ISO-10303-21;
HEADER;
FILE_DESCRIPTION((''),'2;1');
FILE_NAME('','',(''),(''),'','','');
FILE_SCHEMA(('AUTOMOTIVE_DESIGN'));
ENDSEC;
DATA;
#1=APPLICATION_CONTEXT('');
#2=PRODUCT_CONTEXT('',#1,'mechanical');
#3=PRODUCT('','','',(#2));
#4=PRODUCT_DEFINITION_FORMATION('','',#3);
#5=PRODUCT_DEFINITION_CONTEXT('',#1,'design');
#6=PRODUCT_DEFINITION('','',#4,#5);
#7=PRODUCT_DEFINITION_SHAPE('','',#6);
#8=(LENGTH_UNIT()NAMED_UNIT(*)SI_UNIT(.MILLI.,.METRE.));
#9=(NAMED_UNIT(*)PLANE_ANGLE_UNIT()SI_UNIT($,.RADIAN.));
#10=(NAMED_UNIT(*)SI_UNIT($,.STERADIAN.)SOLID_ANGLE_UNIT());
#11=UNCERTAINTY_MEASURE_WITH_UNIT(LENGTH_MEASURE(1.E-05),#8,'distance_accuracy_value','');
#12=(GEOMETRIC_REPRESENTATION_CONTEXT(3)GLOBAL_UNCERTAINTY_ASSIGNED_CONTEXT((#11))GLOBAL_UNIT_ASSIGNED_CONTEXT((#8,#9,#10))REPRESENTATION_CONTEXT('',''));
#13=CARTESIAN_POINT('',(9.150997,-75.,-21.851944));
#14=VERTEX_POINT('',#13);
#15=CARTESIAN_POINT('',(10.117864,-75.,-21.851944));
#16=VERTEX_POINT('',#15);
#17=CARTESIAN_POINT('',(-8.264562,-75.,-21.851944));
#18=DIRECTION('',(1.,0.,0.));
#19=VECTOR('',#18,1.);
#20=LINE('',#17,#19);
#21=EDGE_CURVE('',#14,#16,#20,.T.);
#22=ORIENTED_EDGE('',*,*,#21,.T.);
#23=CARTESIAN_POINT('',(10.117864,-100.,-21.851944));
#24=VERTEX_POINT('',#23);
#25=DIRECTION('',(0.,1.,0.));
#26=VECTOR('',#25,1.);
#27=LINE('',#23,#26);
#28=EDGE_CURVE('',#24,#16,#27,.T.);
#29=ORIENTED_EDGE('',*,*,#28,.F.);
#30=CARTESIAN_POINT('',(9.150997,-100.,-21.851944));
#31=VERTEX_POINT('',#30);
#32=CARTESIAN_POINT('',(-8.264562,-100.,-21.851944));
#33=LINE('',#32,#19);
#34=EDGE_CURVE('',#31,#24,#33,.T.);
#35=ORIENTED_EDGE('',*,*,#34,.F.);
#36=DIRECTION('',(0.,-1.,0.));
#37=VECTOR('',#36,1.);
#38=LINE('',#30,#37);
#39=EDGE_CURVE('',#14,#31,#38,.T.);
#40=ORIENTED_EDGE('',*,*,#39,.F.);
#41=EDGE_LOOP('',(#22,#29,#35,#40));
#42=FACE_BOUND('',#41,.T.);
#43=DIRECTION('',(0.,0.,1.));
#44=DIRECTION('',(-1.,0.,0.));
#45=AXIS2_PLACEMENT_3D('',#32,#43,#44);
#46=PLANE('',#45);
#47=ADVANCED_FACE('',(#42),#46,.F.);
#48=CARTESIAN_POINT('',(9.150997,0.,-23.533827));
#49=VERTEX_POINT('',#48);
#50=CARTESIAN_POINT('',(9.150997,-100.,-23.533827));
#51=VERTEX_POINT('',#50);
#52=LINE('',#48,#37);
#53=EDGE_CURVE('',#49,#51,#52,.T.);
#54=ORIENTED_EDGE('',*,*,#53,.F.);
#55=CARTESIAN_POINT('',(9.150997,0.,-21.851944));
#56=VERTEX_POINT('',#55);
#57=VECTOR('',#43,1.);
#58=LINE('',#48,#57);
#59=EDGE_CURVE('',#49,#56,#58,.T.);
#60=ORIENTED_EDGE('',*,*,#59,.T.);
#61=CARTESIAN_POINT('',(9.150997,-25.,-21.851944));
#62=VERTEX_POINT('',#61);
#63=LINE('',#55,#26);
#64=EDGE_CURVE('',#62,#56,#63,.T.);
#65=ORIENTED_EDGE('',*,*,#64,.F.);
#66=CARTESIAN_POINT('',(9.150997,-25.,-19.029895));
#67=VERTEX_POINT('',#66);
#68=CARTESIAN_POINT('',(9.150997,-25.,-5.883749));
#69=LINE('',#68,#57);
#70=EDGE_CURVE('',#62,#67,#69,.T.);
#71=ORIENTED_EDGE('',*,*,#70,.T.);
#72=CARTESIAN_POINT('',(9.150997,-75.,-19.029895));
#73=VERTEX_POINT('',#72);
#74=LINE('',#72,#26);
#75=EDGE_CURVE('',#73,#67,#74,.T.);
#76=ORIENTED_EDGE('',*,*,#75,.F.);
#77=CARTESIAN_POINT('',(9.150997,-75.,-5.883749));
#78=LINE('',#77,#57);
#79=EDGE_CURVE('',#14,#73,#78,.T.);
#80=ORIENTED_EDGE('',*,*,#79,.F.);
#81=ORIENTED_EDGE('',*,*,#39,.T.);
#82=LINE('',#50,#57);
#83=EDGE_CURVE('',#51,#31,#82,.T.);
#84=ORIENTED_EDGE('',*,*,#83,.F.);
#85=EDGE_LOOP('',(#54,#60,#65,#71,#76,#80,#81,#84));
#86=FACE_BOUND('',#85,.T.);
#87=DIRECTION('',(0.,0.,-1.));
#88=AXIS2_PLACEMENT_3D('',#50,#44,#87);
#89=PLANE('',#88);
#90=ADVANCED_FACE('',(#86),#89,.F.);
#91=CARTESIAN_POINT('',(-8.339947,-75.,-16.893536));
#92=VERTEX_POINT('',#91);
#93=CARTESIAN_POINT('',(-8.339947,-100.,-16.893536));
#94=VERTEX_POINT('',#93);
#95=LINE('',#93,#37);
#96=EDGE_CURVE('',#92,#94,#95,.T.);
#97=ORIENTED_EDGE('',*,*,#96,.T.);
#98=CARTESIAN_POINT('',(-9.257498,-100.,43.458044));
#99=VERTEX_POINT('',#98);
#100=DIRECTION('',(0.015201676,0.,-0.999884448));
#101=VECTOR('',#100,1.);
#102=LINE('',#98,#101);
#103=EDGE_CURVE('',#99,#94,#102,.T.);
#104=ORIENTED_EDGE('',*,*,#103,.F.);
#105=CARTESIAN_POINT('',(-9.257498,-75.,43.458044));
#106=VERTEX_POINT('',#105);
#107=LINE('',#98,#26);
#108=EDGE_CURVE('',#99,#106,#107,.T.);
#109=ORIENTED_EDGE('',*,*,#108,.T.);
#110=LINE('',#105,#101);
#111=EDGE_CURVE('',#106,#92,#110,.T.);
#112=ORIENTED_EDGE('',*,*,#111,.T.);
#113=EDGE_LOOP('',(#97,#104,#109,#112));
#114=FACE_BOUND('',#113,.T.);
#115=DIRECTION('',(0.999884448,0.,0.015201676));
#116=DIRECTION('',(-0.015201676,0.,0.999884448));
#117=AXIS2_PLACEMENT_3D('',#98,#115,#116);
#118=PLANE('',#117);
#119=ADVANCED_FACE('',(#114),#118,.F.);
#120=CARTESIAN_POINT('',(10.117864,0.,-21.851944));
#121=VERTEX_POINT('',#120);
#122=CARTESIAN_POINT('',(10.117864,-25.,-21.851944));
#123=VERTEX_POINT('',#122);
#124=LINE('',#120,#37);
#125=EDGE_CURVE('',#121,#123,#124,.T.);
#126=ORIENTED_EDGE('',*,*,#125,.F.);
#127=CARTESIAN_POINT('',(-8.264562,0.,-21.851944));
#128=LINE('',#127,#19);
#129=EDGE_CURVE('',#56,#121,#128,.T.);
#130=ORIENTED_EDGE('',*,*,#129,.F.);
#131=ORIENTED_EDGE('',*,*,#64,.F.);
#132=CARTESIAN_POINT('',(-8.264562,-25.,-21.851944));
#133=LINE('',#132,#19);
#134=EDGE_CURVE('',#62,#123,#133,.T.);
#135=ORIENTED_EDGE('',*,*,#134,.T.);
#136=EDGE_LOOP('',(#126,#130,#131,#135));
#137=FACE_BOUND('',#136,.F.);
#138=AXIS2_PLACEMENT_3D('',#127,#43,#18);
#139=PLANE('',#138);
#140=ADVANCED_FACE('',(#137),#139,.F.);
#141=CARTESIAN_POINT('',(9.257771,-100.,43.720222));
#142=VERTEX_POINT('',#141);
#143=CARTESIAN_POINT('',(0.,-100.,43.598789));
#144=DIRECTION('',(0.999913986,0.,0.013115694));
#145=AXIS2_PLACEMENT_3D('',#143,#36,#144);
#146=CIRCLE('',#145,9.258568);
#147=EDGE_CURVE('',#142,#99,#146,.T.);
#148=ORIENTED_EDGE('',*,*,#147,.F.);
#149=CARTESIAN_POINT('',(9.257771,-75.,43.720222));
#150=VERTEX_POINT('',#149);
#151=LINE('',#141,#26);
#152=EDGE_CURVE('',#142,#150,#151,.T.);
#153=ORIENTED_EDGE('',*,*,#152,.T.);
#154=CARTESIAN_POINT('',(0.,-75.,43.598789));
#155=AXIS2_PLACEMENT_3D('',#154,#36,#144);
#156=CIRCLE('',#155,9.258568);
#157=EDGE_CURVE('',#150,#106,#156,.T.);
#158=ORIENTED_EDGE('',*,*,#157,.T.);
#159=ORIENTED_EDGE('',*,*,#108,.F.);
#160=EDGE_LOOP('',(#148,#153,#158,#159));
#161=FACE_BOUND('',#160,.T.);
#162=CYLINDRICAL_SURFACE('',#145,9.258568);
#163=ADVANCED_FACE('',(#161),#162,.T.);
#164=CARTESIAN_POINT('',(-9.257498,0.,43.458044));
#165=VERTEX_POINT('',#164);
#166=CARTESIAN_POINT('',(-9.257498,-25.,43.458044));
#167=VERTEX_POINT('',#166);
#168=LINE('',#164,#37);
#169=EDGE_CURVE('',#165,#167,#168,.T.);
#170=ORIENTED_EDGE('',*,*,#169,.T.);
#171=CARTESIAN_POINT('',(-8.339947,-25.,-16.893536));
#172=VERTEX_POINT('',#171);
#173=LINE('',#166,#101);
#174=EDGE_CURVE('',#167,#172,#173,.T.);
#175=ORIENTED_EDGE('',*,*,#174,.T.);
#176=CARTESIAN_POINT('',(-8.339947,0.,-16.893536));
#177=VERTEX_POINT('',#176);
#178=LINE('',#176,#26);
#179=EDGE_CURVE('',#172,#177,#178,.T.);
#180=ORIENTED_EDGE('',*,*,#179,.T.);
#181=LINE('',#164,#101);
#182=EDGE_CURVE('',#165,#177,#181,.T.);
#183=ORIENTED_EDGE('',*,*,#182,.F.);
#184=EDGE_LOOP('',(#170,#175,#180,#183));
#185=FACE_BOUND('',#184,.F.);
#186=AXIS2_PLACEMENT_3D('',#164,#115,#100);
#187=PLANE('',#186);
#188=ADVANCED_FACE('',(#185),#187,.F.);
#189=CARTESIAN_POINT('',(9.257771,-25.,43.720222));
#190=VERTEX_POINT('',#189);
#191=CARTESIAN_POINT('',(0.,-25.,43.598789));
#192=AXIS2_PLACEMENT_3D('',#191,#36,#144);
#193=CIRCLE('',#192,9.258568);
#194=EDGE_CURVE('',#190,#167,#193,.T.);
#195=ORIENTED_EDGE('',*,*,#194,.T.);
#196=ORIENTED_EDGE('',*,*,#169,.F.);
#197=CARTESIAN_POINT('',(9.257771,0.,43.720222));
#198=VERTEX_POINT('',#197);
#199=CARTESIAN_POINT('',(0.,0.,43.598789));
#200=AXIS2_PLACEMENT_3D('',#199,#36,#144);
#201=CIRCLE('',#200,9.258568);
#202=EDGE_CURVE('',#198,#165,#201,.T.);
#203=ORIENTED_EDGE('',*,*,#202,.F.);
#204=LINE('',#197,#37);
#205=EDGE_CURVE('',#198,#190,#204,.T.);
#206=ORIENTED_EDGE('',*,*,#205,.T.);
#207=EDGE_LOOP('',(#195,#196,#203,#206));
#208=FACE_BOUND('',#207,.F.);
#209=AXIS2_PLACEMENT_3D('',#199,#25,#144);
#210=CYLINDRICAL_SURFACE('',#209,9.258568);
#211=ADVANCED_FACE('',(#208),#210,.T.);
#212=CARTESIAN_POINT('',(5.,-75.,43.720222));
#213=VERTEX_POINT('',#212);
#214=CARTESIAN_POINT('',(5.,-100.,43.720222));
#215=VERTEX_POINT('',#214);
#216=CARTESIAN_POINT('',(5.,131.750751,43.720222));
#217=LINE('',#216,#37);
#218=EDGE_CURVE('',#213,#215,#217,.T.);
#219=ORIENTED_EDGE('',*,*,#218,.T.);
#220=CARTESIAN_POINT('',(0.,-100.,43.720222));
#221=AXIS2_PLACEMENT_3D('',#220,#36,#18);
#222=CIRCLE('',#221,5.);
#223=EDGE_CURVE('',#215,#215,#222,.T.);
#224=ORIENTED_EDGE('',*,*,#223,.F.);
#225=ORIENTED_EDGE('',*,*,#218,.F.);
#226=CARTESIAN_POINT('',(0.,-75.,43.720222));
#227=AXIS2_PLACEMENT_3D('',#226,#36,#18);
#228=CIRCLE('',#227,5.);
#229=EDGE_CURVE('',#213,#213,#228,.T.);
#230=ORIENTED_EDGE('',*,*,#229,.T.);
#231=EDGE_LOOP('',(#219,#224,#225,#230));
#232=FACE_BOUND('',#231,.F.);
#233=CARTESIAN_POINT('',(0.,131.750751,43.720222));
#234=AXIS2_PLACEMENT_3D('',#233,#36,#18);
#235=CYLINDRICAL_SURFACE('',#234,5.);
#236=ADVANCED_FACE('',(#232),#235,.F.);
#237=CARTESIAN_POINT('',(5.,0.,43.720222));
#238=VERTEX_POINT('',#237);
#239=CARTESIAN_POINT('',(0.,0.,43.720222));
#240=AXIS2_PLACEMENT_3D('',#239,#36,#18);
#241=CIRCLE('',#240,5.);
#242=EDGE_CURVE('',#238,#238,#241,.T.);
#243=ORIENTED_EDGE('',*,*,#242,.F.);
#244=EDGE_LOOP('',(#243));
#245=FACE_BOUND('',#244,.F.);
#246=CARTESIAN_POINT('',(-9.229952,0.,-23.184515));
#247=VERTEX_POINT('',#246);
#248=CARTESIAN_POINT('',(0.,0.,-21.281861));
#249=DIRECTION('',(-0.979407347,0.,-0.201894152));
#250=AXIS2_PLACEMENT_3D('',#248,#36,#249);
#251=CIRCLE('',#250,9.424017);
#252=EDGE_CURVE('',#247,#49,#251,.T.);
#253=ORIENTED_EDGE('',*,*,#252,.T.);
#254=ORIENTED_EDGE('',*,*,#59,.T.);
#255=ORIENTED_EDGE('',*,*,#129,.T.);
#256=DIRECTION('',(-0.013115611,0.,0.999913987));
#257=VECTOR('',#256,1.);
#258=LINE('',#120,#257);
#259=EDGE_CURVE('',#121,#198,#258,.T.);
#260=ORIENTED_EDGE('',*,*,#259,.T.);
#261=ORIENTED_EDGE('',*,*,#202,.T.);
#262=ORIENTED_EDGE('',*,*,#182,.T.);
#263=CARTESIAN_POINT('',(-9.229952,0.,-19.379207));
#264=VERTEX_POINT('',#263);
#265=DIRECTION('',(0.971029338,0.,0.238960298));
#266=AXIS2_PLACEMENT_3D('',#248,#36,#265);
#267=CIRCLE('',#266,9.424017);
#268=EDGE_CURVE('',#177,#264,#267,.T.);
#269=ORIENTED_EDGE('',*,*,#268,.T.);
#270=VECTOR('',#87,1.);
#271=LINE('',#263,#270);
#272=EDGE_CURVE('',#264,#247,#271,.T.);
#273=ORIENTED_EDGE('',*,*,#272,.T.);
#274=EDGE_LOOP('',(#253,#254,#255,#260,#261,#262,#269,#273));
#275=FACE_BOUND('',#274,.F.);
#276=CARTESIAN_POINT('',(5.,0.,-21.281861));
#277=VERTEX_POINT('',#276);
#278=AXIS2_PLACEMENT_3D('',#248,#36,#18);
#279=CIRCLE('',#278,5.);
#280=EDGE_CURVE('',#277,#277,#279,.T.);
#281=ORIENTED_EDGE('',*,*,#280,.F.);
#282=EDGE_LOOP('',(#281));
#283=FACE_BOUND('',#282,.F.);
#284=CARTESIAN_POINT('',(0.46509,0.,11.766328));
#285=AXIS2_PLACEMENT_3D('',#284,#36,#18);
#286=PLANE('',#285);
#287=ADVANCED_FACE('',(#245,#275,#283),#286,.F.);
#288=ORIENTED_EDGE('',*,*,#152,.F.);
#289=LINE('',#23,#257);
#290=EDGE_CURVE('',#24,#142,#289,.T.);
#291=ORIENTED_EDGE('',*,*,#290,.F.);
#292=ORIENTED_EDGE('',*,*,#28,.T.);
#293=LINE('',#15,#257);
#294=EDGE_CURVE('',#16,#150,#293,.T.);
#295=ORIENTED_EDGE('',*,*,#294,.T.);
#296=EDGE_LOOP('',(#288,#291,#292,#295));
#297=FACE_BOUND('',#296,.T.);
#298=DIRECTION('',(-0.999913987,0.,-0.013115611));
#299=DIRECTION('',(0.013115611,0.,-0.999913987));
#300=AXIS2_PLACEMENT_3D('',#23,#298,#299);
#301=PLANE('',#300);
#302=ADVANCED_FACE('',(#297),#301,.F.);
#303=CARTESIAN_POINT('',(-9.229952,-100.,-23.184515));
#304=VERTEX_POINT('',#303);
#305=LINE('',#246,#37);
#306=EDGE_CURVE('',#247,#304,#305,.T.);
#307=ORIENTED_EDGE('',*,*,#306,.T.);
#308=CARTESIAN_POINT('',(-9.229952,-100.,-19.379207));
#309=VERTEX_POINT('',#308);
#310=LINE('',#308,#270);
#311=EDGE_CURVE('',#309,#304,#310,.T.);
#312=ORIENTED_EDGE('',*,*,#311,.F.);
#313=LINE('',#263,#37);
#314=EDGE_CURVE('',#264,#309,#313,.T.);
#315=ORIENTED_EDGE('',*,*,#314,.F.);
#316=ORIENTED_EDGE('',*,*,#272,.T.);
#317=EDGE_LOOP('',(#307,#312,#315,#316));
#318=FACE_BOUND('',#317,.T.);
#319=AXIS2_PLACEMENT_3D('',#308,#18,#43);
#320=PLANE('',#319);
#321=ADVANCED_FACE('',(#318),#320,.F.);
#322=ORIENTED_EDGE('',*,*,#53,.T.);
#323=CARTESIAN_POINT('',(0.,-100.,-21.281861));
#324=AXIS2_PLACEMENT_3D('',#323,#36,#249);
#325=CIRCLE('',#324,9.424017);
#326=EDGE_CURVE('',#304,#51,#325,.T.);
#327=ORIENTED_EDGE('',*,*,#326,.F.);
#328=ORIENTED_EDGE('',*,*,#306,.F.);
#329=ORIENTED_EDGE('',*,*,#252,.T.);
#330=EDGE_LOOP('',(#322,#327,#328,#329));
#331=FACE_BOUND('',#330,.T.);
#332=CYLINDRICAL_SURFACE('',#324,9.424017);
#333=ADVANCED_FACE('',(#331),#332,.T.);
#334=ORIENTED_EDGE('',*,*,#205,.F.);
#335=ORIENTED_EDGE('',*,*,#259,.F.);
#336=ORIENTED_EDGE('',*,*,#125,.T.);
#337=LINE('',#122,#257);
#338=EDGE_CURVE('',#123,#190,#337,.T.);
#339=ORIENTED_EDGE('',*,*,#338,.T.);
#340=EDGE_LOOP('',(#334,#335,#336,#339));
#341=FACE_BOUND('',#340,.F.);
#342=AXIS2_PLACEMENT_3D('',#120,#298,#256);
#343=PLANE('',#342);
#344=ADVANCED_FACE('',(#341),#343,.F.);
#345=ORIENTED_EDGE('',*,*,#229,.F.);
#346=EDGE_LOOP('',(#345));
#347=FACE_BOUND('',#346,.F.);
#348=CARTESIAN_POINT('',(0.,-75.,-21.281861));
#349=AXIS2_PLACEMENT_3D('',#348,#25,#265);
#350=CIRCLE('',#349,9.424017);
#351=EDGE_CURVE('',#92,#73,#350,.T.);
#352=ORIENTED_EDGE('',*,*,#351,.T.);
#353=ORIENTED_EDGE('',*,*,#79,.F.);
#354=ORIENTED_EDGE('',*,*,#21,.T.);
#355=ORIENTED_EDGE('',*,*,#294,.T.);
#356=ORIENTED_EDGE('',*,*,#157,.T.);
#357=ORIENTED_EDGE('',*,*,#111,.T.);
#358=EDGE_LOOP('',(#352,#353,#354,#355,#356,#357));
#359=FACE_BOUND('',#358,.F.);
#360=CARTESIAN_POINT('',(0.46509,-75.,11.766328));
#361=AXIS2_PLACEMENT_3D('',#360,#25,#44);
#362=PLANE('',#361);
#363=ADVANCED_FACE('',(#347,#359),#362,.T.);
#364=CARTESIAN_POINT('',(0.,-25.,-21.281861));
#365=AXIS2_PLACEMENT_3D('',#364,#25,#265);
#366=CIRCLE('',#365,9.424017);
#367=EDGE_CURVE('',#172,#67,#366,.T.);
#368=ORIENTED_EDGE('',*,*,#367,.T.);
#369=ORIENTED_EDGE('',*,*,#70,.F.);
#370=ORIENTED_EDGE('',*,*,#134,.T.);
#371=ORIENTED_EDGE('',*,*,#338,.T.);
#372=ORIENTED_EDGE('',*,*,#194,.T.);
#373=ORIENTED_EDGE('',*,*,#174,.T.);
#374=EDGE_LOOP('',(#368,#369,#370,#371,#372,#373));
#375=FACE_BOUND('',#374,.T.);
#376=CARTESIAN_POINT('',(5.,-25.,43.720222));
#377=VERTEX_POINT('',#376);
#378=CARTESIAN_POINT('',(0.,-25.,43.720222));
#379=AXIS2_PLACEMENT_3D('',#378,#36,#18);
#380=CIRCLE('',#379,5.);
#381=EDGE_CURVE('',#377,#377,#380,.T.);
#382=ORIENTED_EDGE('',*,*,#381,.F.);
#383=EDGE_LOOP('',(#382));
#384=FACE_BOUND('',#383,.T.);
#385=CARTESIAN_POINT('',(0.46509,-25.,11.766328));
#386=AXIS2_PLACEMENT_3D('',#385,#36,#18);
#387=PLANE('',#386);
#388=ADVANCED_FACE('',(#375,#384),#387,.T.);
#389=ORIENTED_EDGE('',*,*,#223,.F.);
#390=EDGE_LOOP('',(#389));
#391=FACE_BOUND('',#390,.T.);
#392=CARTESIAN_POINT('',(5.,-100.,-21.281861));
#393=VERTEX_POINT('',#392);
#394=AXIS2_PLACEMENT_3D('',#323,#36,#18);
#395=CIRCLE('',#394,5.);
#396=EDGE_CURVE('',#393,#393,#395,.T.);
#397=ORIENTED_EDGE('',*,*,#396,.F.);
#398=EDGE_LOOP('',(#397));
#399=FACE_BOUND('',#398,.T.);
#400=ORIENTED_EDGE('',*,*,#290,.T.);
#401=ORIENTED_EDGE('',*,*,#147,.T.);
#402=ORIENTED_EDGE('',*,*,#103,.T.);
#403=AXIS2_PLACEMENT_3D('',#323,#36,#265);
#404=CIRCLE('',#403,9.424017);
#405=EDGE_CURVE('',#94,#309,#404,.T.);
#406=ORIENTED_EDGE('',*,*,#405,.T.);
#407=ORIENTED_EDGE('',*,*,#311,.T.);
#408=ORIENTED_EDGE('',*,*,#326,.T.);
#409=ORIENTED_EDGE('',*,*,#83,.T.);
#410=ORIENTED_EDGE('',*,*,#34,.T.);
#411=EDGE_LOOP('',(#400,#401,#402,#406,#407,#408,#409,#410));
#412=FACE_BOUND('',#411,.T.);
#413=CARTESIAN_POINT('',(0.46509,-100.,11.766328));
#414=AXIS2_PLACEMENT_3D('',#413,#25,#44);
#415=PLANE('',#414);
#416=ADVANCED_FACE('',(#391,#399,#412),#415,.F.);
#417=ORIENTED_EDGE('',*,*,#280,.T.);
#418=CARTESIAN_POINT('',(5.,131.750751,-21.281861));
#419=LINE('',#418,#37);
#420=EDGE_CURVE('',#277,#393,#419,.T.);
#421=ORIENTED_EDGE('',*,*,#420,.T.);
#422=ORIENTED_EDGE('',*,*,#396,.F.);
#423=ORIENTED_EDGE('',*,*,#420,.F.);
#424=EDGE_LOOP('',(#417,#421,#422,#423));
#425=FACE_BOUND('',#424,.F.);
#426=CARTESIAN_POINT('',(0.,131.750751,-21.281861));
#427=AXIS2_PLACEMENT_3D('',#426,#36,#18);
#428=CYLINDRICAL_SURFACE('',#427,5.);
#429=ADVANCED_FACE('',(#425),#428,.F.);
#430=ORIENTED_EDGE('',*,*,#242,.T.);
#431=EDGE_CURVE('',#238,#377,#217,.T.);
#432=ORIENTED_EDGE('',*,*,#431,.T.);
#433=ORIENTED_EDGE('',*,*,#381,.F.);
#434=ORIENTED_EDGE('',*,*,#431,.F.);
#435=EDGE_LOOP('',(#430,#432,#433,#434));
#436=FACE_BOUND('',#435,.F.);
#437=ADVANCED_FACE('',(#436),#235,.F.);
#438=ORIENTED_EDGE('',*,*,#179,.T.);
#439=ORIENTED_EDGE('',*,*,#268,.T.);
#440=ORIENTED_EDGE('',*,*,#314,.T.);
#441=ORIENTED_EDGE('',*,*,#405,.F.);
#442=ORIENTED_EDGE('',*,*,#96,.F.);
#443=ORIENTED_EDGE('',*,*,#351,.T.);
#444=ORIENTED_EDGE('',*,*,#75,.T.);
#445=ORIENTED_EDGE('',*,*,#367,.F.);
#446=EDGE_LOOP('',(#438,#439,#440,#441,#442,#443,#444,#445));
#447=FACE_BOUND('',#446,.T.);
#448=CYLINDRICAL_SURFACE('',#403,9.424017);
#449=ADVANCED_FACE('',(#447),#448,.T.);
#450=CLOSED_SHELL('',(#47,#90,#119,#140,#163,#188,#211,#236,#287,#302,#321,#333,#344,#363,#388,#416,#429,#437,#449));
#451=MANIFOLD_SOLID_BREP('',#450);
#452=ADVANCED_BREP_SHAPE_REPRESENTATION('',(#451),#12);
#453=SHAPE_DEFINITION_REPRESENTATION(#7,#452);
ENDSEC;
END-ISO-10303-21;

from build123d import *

# Parameters (mm, degrees)
F1_DEPTH = 50
F3_DEPTH = 25
F6_D     = 10


with BuildPart() as f1:
    # F0 (on Front) → F1 (new body)
    with BuildSketch(Plane.XZ):
        with BuildLine():
            Line((-9.229952, -19.379207), (-9.229952, -23.184515))
            ThreePointArc((-9.229952, -23.184515), (-0.179062, -30.704177), (9.150997, -23.533827))
            Line((9.150997, -23.533827), (9.150997, -19.029895))
            ThreePointArc((9.150997, -19.029895), (-0.179062, -11.859545), (-9.229952, -19.379207))
        make_face()
    extrude(amount=F1_DEPTH)

    # F2 (on Front) → F3 (join)
    with BuildSketch(Plane.XZ):
        with BuildLine():
            ThreePointArc((9.257771, 43.720222), (9.258368, 43.659507), (9.258567, 43.59879))
            ThreePointArc((9.258567, 43.59879), (0.070375, 34.34049), (-9.257498, 43.458044))
            Line((-9.257498, 43.458044), (-8.264562, -21.851944))
            Line((-8.264562, -21.851944), (10.117864, -21.851944))
            Line((10.117864, -21.851944), (9.257771, 43.720222))
        make_face()
        with BuildLine():
            ThreePointArc((-9.257498, 43.458044), (0.070375, 34.34049), (9.258567, 43.59879))
            ThreePointArc((9.258567, 43.59879), (9.258368, 43.659507), (9.257771, 43.720222))
            ThreePointArc((9.257771, 43.720222), (-0.131089, 52.856429), (-9.257498, 43.458044))
        make_face()
    extrude(amount=F3_DEPTH)

    # F4: F1 across face


with BuildPart() as f1_1:
    add(f1.part)
    add(f1.part.mirror(Plane(origin=(-0.010882, -50, -21.281861), x_dir=(1, 0, 0), z_dir=(0, -1, 0))))

    # F6 (through all)
    with Locations(Plane(origin=(0, 0, 0), x_dir=(-1, 0, 0), z_dir=(0, 1, 0))):
        with Locations((0, 43.720222), (0, -21.281861)):
            Hole(F6_D / 2)


solid = f1_1.part
